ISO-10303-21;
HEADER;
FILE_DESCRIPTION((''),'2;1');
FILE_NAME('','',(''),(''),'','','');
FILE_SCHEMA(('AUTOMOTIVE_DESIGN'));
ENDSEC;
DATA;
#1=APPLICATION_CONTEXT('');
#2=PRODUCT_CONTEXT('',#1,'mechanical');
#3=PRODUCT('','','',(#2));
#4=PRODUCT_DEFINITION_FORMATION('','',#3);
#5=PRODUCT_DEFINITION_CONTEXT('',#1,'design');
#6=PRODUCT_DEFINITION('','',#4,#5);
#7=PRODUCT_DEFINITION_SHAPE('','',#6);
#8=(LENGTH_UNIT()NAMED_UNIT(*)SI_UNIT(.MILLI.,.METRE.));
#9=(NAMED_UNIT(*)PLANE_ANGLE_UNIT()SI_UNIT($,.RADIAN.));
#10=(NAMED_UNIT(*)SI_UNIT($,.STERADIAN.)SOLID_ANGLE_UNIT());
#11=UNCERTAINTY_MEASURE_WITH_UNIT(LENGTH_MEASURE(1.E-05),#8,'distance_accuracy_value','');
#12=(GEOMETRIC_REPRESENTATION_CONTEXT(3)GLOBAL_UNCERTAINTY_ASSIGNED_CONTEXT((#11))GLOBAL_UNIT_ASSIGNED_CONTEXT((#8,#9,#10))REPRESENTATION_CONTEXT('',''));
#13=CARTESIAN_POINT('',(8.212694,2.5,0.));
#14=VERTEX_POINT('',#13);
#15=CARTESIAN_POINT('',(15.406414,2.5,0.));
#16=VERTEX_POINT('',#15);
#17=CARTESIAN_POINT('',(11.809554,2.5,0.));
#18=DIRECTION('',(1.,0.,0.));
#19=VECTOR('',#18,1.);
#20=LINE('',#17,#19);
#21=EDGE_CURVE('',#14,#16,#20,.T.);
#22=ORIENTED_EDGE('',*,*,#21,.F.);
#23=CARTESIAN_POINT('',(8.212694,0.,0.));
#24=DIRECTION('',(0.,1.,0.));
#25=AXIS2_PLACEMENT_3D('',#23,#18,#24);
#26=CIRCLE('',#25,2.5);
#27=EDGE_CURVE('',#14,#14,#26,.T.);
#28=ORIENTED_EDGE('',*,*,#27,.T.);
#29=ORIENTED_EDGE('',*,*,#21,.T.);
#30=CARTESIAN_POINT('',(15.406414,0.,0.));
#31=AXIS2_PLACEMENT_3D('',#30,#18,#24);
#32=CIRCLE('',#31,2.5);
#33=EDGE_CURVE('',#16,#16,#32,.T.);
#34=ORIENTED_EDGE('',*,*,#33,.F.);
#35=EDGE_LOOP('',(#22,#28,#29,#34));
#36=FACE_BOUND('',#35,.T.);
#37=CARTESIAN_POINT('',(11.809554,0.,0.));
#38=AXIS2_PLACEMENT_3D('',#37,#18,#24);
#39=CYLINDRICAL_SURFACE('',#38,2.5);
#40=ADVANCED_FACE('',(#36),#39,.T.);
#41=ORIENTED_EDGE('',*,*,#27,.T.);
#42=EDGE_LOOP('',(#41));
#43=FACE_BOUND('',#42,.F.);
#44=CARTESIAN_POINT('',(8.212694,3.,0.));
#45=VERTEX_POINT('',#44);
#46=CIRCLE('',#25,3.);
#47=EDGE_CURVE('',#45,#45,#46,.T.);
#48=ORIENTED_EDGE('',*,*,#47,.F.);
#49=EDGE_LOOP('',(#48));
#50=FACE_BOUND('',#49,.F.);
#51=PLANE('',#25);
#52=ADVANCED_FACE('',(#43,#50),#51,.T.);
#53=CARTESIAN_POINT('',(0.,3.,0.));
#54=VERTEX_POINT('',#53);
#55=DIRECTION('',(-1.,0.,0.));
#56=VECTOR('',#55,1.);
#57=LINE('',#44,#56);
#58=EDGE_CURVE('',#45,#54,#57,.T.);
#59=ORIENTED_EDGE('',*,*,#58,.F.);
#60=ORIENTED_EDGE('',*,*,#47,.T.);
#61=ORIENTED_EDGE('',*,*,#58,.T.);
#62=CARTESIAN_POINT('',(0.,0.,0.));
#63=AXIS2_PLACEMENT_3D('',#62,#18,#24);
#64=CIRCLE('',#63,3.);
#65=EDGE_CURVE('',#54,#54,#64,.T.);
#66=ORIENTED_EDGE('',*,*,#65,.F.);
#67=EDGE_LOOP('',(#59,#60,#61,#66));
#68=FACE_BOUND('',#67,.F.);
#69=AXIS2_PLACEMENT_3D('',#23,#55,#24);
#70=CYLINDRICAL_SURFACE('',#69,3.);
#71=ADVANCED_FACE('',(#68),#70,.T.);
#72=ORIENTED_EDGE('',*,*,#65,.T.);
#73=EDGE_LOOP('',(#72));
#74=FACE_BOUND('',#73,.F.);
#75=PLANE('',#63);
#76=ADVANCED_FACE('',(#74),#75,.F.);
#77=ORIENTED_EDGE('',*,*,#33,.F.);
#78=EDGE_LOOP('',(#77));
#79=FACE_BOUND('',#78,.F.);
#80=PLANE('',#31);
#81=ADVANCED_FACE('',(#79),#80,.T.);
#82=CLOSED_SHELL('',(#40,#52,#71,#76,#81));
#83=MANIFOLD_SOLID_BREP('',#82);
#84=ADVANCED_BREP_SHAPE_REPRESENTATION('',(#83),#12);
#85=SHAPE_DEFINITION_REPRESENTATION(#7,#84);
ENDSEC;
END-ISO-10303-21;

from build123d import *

# Parameters (mm, degrees)
F0_W = 7.19372
F0_H = 2.5


with BuildPart() as f1:
    # F0 (on Top) → F1 (revolve)
    with BuildSketch(Plane.XY):
        Polygon((0, 3), (0, 0), (8.212694, 0), (8.212694, 2.5), (8.212694, 3), align=None)
        with Locations((11.809554, 1.25)):
            Rectangle(F0_W, F0_H)
    revolve(axis=Axis((4.106347, 0, 0), (1, 0, 0)))


solid = f1.part
